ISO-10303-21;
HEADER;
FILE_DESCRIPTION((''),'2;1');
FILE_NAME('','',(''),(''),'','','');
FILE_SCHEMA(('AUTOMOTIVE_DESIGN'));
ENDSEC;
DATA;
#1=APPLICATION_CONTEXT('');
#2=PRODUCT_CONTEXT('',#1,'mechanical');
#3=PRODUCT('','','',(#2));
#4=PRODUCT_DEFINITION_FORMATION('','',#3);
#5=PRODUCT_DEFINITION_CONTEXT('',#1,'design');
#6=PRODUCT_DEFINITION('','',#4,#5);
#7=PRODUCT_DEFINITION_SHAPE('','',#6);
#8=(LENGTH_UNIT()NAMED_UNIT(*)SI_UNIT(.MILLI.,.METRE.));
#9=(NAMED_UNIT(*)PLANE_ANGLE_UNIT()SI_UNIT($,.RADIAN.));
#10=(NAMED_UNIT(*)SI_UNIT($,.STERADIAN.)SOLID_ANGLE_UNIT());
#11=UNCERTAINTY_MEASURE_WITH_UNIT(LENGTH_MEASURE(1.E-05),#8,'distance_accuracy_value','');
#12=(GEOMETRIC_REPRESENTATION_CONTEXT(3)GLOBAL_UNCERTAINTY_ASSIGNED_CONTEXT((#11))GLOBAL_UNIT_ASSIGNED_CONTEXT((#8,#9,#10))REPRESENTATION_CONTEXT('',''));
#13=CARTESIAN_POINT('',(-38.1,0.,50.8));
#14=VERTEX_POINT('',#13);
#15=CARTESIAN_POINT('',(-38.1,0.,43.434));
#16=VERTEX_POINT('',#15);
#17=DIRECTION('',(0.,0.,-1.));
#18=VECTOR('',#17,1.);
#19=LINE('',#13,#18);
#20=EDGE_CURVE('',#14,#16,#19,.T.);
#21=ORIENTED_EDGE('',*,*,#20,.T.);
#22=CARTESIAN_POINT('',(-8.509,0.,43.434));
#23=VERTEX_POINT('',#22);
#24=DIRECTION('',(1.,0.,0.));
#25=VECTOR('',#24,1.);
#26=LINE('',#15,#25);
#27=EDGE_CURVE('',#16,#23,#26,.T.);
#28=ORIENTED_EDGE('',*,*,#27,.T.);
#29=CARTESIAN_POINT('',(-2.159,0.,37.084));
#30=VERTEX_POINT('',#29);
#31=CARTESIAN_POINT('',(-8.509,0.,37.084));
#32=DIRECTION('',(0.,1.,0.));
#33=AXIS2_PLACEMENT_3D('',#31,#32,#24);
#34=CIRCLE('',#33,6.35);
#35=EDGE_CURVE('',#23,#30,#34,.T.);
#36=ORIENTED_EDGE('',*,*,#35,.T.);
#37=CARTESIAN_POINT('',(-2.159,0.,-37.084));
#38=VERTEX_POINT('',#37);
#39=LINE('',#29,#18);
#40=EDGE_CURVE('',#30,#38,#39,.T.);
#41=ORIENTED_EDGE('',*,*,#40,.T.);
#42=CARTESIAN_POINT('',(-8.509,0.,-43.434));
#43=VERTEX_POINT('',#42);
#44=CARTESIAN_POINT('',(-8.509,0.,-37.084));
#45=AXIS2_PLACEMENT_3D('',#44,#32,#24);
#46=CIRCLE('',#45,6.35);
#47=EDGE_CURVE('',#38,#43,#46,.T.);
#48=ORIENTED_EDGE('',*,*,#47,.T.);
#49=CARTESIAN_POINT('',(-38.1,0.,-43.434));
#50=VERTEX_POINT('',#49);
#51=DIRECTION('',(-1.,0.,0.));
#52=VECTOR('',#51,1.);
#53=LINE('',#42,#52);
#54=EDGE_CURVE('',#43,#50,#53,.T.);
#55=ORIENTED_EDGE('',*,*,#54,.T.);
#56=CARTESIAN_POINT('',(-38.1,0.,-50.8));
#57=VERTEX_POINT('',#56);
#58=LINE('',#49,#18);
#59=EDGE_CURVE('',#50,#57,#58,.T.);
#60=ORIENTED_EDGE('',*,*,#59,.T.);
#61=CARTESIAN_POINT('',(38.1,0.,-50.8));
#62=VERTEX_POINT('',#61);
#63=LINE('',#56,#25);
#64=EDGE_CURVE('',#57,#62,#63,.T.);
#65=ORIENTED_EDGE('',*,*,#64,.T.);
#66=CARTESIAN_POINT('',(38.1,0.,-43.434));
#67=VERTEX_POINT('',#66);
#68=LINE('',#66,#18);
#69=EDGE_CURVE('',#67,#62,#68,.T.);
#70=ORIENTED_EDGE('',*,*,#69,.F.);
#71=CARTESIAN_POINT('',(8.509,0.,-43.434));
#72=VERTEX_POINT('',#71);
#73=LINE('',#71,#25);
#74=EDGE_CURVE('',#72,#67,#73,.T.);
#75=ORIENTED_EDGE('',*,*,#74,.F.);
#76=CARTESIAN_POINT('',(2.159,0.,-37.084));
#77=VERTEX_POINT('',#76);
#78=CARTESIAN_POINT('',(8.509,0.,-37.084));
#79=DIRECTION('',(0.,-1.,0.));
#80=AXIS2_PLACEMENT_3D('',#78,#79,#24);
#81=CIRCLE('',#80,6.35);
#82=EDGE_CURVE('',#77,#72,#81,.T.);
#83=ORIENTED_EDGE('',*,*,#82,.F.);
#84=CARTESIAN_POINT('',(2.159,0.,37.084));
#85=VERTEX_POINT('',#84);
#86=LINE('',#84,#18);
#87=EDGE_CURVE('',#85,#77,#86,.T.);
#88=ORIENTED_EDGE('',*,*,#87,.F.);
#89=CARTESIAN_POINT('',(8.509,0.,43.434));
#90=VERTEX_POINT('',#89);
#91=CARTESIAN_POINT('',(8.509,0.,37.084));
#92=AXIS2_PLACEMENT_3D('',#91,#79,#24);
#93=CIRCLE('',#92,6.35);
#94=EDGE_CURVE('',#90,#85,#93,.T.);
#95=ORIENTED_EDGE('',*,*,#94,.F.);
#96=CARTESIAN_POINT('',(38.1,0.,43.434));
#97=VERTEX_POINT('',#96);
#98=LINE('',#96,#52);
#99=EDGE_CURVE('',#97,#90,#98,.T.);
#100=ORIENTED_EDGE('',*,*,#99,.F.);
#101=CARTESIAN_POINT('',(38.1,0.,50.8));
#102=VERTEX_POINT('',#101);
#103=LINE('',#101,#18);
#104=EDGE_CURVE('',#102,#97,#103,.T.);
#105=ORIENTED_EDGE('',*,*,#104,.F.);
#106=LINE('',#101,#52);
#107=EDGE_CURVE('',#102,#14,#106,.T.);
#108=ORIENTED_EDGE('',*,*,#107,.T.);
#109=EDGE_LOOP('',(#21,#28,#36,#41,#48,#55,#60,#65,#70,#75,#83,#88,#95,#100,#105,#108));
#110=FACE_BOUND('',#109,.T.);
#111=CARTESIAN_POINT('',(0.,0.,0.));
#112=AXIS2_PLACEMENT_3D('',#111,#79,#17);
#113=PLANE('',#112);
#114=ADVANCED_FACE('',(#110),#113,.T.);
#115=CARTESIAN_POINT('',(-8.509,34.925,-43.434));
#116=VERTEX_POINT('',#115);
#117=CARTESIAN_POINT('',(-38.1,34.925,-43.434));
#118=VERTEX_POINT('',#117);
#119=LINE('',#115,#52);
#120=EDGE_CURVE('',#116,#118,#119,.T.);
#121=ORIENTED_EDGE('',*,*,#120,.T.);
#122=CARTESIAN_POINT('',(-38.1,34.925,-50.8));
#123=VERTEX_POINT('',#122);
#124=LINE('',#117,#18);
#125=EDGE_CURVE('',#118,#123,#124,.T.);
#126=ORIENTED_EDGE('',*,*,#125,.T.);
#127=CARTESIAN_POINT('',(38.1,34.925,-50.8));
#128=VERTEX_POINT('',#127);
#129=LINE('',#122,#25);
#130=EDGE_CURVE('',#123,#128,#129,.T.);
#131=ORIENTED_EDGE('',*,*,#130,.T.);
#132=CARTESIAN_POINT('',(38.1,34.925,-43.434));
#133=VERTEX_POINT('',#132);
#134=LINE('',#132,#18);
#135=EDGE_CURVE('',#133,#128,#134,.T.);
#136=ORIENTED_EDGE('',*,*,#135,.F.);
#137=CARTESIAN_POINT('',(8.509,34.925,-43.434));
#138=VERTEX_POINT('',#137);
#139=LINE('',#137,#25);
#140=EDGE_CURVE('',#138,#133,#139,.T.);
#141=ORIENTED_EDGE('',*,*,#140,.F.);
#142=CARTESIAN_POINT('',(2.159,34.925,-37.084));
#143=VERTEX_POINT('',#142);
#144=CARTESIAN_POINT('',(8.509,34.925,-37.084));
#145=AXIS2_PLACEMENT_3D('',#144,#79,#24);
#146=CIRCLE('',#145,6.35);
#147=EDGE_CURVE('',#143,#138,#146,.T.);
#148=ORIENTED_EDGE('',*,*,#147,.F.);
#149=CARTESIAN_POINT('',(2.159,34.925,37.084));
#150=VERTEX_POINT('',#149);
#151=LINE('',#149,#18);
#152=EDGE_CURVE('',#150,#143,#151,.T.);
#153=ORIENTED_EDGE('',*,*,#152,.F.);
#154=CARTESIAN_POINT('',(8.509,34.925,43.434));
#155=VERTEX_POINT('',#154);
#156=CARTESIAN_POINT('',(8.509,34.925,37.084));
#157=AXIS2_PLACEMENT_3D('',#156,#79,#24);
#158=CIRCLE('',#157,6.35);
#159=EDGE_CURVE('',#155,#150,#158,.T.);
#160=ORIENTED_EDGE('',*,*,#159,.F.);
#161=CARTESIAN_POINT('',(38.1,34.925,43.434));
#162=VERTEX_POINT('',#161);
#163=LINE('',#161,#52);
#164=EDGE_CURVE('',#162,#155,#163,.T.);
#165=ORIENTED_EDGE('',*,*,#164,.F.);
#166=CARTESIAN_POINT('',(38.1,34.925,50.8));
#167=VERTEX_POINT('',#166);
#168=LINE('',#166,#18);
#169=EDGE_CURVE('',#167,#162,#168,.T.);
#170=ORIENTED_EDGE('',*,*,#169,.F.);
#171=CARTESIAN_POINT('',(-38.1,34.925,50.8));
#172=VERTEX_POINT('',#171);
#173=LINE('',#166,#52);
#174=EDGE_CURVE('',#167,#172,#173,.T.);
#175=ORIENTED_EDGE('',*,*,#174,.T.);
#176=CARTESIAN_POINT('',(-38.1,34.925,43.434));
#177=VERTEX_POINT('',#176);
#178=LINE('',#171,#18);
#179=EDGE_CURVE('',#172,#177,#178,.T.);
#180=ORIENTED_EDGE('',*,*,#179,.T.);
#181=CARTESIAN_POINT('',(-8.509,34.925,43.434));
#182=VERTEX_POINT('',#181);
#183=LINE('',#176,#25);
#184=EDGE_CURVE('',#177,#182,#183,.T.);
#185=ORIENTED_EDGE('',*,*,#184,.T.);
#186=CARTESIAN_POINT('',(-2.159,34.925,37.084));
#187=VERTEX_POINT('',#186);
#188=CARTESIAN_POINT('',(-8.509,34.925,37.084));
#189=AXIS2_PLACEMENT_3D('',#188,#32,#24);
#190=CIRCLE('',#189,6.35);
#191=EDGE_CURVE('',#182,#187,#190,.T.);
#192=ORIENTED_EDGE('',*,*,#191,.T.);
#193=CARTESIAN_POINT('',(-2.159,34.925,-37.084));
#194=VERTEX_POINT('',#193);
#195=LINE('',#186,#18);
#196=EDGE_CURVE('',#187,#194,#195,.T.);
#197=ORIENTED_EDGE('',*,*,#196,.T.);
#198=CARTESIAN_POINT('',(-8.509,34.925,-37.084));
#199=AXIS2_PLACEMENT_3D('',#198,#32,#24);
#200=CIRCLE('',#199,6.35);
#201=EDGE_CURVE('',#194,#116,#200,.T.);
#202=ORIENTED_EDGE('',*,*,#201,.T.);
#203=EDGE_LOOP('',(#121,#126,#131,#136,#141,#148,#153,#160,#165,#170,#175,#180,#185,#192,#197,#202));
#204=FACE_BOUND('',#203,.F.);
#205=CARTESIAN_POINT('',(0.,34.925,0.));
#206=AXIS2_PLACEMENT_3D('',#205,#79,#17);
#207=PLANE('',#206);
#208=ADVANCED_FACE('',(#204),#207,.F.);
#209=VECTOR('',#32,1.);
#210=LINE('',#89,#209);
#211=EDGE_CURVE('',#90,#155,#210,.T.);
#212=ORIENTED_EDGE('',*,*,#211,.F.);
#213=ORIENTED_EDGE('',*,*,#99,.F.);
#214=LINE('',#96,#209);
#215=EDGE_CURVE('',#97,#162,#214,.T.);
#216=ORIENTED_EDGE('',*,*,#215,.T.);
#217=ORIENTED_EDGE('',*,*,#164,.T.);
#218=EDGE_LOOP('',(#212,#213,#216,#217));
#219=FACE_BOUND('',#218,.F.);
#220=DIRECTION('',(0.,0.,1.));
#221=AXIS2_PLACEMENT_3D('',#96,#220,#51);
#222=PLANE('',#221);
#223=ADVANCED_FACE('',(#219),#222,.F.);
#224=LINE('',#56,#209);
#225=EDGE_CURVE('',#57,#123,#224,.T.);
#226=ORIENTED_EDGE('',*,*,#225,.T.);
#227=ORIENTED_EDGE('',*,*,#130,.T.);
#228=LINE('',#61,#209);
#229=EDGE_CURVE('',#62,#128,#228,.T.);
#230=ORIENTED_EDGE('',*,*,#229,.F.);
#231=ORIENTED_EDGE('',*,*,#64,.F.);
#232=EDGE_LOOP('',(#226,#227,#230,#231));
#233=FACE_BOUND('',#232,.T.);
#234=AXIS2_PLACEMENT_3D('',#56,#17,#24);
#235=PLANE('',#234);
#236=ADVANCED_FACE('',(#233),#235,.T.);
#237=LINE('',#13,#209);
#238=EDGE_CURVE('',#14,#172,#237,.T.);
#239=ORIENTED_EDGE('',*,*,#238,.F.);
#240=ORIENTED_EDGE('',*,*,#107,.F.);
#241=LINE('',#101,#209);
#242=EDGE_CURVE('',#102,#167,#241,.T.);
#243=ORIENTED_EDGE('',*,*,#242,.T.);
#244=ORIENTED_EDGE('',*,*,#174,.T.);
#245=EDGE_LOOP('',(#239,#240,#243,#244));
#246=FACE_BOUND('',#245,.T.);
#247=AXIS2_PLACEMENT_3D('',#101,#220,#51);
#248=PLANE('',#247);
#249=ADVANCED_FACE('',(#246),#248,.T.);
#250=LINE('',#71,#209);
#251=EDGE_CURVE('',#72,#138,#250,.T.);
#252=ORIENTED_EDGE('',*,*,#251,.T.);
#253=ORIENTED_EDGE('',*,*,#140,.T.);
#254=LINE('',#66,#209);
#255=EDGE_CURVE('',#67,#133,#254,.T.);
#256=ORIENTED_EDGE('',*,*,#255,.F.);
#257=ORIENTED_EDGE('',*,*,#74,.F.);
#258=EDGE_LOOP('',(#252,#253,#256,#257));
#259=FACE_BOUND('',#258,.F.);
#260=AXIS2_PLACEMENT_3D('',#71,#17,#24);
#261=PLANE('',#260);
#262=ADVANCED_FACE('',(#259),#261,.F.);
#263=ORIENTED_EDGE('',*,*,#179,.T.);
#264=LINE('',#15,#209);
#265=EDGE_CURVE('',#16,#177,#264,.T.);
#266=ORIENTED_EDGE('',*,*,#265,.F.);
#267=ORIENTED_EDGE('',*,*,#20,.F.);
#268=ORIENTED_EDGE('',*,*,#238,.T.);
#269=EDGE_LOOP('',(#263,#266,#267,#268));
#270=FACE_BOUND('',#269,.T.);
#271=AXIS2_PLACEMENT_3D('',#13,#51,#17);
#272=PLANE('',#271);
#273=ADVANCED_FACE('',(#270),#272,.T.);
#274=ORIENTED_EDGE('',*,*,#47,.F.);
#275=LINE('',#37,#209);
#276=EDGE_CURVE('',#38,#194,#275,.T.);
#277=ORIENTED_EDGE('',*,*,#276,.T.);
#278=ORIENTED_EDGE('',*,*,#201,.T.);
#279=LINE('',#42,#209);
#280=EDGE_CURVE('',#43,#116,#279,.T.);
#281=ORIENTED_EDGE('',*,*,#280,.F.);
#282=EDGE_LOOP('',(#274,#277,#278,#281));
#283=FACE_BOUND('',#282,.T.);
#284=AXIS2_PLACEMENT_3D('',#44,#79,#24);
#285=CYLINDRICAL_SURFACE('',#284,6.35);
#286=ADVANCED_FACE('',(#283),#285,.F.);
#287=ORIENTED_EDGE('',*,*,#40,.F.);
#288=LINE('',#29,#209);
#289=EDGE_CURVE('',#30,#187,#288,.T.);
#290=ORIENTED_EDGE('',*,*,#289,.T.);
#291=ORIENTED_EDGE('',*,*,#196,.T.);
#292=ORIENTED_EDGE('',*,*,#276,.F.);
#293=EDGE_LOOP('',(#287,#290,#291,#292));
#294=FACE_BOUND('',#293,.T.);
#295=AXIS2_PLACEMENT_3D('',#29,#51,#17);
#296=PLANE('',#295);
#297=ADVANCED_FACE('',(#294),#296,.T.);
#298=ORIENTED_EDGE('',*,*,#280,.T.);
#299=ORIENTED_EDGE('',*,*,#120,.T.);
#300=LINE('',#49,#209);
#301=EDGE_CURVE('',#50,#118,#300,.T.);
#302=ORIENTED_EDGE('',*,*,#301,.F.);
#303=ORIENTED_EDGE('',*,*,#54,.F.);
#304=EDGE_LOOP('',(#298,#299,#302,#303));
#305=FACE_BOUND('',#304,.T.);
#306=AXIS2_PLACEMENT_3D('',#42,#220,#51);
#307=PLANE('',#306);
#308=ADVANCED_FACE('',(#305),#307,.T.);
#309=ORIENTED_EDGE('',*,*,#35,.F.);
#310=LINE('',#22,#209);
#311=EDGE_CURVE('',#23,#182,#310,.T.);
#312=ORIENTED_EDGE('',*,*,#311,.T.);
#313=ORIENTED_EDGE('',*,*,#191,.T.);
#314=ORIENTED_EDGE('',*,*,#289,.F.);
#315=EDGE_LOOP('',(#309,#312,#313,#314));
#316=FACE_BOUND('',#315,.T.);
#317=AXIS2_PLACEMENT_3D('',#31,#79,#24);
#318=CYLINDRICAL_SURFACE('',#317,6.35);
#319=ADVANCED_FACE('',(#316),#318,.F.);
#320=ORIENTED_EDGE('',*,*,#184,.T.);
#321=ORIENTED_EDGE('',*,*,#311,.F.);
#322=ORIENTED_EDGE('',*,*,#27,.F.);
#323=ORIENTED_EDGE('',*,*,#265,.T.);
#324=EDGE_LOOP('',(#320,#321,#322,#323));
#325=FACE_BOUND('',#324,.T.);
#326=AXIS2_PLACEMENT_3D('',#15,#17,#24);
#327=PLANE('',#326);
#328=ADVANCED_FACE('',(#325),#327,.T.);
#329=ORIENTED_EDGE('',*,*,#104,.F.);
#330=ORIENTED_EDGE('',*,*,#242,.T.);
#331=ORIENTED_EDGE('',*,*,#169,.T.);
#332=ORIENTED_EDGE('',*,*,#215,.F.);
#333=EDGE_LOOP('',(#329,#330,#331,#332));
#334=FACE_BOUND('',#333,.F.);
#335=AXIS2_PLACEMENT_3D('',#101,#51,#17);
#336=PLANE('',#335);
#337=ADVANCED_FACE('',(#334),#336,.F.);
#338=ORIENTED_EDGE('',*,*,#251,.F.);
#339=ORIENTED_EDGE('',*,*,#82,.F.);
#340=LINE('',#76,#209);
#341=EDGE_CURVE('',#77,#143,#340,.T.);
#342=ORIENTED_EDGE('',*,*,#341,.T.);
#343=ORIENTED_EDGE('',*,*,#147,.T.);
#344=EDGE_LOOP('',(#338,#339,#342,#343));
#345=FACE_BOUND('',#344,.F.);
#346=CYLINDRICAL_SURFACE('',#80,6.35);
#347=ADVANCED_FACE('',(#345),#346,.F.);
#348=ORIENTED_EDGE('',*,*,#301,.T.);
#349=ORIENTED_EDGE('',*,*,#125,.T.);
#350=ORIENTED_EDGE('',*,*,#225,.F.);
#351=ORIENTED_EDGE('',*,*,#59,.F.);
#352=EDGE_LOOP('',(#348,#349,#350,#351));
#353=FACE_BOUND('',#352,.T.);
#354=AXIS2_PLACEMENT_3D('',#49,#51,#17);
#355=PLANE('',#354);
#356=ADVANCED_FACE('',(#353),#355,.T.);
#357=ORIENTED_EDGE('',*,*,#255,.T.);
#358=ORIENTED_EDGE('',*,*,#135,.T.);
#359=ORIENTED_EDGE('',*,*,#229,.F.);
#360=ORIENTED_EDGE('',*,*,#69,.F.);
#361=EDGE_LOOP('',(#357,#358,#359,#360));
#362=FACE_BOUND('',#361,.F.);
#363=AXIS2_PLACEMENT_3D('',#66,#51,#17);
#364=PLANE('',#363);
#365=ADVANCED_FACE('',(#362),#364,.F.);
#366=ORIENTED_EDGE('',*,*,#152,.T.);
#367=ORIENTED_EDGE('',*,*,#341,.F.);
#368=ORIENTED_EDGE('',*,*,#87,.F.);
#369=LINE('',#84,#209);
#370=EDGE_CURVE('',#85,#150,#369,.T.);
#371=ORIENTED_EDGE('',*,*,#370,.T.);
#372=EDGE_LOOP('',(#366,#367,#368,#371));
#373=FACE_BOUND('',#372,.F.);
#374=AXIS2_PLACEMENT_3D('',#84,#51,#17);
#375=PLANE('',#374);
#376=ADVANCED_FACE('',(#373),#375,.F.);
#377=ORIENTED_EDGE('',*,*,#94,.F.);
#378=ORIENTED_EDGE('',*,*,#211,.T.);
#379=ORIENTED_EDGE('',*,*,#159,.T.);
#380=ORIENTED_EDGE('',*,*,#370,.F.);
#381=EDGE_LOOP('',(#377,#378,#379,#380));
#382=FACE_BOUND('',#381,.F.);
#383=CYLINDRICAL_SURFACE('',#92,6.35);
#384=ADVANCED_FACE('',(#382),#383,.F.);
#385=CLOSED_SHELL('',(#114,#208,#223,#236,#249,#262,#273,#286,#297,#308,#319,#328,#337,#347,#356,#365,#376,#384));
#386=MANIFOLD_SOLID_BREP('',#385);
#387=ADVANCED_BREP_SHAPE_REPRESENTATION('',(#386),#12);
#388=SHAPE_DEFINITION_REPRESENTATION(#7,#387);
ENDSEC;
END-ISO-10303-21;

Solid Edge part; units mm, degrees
sketch "Sketch1" plane through (0, 0, 0) normal (0, -1, 0) x (1, 0, 0)
  line L0 (38.1, 50.8) -> (-38.1, 50.8)
  line L1 (-38.1, 50.8) -> (-38.1, 43.434)
  line L2 (-38.1, 43.434) -> (-8.509, 43.434)
  arc A0 (-8.509, 43.434) -> (-2.159, 37.084) centre (-8.509, 37.084) cw
  line L3 (-2.159, 37.084) -> (-2.159, -37.084)
  arc A1 (-2.159, -37.084) -> (-8.509, -43.434) centre (-8.509, -37.084) cw
  line L4 (-8.509, -43.434) -> (-38.1, -43.434)
  line L5 (-38.1, -43.434) -> (-38.1, -50.8)
  line L6 (-38.1, -50.8) -> (38.1, -50.8)
  line L7 (38.1, -43.434) -> (38.1, -50.8)
  line L8 (8.509, -43.434) -> (38.1, -43.434)
  arc A2 (2.159, -37.084) -> (8.509, -43.434) centre (8.509, -37.084) ccw
  line L9 (2.159, 37.084) -> (2.159, -37.084)
  arc A3 (8.509, 43.434) -> (2.159, 37.084) centre (8.509, 37.084) ccw
  line L10 (38.1, 43.434) -> (8.509, 43.434)
  line L11 (38.1, 50.8) -> (38.1, 43.434)
  dimension "D1" = 7.366
  dimension "D2" = 101.6
  dimension "D3" = 76.2
extrude "Protrusion1" add sketch "Sketch1" against normal blind 34.925
